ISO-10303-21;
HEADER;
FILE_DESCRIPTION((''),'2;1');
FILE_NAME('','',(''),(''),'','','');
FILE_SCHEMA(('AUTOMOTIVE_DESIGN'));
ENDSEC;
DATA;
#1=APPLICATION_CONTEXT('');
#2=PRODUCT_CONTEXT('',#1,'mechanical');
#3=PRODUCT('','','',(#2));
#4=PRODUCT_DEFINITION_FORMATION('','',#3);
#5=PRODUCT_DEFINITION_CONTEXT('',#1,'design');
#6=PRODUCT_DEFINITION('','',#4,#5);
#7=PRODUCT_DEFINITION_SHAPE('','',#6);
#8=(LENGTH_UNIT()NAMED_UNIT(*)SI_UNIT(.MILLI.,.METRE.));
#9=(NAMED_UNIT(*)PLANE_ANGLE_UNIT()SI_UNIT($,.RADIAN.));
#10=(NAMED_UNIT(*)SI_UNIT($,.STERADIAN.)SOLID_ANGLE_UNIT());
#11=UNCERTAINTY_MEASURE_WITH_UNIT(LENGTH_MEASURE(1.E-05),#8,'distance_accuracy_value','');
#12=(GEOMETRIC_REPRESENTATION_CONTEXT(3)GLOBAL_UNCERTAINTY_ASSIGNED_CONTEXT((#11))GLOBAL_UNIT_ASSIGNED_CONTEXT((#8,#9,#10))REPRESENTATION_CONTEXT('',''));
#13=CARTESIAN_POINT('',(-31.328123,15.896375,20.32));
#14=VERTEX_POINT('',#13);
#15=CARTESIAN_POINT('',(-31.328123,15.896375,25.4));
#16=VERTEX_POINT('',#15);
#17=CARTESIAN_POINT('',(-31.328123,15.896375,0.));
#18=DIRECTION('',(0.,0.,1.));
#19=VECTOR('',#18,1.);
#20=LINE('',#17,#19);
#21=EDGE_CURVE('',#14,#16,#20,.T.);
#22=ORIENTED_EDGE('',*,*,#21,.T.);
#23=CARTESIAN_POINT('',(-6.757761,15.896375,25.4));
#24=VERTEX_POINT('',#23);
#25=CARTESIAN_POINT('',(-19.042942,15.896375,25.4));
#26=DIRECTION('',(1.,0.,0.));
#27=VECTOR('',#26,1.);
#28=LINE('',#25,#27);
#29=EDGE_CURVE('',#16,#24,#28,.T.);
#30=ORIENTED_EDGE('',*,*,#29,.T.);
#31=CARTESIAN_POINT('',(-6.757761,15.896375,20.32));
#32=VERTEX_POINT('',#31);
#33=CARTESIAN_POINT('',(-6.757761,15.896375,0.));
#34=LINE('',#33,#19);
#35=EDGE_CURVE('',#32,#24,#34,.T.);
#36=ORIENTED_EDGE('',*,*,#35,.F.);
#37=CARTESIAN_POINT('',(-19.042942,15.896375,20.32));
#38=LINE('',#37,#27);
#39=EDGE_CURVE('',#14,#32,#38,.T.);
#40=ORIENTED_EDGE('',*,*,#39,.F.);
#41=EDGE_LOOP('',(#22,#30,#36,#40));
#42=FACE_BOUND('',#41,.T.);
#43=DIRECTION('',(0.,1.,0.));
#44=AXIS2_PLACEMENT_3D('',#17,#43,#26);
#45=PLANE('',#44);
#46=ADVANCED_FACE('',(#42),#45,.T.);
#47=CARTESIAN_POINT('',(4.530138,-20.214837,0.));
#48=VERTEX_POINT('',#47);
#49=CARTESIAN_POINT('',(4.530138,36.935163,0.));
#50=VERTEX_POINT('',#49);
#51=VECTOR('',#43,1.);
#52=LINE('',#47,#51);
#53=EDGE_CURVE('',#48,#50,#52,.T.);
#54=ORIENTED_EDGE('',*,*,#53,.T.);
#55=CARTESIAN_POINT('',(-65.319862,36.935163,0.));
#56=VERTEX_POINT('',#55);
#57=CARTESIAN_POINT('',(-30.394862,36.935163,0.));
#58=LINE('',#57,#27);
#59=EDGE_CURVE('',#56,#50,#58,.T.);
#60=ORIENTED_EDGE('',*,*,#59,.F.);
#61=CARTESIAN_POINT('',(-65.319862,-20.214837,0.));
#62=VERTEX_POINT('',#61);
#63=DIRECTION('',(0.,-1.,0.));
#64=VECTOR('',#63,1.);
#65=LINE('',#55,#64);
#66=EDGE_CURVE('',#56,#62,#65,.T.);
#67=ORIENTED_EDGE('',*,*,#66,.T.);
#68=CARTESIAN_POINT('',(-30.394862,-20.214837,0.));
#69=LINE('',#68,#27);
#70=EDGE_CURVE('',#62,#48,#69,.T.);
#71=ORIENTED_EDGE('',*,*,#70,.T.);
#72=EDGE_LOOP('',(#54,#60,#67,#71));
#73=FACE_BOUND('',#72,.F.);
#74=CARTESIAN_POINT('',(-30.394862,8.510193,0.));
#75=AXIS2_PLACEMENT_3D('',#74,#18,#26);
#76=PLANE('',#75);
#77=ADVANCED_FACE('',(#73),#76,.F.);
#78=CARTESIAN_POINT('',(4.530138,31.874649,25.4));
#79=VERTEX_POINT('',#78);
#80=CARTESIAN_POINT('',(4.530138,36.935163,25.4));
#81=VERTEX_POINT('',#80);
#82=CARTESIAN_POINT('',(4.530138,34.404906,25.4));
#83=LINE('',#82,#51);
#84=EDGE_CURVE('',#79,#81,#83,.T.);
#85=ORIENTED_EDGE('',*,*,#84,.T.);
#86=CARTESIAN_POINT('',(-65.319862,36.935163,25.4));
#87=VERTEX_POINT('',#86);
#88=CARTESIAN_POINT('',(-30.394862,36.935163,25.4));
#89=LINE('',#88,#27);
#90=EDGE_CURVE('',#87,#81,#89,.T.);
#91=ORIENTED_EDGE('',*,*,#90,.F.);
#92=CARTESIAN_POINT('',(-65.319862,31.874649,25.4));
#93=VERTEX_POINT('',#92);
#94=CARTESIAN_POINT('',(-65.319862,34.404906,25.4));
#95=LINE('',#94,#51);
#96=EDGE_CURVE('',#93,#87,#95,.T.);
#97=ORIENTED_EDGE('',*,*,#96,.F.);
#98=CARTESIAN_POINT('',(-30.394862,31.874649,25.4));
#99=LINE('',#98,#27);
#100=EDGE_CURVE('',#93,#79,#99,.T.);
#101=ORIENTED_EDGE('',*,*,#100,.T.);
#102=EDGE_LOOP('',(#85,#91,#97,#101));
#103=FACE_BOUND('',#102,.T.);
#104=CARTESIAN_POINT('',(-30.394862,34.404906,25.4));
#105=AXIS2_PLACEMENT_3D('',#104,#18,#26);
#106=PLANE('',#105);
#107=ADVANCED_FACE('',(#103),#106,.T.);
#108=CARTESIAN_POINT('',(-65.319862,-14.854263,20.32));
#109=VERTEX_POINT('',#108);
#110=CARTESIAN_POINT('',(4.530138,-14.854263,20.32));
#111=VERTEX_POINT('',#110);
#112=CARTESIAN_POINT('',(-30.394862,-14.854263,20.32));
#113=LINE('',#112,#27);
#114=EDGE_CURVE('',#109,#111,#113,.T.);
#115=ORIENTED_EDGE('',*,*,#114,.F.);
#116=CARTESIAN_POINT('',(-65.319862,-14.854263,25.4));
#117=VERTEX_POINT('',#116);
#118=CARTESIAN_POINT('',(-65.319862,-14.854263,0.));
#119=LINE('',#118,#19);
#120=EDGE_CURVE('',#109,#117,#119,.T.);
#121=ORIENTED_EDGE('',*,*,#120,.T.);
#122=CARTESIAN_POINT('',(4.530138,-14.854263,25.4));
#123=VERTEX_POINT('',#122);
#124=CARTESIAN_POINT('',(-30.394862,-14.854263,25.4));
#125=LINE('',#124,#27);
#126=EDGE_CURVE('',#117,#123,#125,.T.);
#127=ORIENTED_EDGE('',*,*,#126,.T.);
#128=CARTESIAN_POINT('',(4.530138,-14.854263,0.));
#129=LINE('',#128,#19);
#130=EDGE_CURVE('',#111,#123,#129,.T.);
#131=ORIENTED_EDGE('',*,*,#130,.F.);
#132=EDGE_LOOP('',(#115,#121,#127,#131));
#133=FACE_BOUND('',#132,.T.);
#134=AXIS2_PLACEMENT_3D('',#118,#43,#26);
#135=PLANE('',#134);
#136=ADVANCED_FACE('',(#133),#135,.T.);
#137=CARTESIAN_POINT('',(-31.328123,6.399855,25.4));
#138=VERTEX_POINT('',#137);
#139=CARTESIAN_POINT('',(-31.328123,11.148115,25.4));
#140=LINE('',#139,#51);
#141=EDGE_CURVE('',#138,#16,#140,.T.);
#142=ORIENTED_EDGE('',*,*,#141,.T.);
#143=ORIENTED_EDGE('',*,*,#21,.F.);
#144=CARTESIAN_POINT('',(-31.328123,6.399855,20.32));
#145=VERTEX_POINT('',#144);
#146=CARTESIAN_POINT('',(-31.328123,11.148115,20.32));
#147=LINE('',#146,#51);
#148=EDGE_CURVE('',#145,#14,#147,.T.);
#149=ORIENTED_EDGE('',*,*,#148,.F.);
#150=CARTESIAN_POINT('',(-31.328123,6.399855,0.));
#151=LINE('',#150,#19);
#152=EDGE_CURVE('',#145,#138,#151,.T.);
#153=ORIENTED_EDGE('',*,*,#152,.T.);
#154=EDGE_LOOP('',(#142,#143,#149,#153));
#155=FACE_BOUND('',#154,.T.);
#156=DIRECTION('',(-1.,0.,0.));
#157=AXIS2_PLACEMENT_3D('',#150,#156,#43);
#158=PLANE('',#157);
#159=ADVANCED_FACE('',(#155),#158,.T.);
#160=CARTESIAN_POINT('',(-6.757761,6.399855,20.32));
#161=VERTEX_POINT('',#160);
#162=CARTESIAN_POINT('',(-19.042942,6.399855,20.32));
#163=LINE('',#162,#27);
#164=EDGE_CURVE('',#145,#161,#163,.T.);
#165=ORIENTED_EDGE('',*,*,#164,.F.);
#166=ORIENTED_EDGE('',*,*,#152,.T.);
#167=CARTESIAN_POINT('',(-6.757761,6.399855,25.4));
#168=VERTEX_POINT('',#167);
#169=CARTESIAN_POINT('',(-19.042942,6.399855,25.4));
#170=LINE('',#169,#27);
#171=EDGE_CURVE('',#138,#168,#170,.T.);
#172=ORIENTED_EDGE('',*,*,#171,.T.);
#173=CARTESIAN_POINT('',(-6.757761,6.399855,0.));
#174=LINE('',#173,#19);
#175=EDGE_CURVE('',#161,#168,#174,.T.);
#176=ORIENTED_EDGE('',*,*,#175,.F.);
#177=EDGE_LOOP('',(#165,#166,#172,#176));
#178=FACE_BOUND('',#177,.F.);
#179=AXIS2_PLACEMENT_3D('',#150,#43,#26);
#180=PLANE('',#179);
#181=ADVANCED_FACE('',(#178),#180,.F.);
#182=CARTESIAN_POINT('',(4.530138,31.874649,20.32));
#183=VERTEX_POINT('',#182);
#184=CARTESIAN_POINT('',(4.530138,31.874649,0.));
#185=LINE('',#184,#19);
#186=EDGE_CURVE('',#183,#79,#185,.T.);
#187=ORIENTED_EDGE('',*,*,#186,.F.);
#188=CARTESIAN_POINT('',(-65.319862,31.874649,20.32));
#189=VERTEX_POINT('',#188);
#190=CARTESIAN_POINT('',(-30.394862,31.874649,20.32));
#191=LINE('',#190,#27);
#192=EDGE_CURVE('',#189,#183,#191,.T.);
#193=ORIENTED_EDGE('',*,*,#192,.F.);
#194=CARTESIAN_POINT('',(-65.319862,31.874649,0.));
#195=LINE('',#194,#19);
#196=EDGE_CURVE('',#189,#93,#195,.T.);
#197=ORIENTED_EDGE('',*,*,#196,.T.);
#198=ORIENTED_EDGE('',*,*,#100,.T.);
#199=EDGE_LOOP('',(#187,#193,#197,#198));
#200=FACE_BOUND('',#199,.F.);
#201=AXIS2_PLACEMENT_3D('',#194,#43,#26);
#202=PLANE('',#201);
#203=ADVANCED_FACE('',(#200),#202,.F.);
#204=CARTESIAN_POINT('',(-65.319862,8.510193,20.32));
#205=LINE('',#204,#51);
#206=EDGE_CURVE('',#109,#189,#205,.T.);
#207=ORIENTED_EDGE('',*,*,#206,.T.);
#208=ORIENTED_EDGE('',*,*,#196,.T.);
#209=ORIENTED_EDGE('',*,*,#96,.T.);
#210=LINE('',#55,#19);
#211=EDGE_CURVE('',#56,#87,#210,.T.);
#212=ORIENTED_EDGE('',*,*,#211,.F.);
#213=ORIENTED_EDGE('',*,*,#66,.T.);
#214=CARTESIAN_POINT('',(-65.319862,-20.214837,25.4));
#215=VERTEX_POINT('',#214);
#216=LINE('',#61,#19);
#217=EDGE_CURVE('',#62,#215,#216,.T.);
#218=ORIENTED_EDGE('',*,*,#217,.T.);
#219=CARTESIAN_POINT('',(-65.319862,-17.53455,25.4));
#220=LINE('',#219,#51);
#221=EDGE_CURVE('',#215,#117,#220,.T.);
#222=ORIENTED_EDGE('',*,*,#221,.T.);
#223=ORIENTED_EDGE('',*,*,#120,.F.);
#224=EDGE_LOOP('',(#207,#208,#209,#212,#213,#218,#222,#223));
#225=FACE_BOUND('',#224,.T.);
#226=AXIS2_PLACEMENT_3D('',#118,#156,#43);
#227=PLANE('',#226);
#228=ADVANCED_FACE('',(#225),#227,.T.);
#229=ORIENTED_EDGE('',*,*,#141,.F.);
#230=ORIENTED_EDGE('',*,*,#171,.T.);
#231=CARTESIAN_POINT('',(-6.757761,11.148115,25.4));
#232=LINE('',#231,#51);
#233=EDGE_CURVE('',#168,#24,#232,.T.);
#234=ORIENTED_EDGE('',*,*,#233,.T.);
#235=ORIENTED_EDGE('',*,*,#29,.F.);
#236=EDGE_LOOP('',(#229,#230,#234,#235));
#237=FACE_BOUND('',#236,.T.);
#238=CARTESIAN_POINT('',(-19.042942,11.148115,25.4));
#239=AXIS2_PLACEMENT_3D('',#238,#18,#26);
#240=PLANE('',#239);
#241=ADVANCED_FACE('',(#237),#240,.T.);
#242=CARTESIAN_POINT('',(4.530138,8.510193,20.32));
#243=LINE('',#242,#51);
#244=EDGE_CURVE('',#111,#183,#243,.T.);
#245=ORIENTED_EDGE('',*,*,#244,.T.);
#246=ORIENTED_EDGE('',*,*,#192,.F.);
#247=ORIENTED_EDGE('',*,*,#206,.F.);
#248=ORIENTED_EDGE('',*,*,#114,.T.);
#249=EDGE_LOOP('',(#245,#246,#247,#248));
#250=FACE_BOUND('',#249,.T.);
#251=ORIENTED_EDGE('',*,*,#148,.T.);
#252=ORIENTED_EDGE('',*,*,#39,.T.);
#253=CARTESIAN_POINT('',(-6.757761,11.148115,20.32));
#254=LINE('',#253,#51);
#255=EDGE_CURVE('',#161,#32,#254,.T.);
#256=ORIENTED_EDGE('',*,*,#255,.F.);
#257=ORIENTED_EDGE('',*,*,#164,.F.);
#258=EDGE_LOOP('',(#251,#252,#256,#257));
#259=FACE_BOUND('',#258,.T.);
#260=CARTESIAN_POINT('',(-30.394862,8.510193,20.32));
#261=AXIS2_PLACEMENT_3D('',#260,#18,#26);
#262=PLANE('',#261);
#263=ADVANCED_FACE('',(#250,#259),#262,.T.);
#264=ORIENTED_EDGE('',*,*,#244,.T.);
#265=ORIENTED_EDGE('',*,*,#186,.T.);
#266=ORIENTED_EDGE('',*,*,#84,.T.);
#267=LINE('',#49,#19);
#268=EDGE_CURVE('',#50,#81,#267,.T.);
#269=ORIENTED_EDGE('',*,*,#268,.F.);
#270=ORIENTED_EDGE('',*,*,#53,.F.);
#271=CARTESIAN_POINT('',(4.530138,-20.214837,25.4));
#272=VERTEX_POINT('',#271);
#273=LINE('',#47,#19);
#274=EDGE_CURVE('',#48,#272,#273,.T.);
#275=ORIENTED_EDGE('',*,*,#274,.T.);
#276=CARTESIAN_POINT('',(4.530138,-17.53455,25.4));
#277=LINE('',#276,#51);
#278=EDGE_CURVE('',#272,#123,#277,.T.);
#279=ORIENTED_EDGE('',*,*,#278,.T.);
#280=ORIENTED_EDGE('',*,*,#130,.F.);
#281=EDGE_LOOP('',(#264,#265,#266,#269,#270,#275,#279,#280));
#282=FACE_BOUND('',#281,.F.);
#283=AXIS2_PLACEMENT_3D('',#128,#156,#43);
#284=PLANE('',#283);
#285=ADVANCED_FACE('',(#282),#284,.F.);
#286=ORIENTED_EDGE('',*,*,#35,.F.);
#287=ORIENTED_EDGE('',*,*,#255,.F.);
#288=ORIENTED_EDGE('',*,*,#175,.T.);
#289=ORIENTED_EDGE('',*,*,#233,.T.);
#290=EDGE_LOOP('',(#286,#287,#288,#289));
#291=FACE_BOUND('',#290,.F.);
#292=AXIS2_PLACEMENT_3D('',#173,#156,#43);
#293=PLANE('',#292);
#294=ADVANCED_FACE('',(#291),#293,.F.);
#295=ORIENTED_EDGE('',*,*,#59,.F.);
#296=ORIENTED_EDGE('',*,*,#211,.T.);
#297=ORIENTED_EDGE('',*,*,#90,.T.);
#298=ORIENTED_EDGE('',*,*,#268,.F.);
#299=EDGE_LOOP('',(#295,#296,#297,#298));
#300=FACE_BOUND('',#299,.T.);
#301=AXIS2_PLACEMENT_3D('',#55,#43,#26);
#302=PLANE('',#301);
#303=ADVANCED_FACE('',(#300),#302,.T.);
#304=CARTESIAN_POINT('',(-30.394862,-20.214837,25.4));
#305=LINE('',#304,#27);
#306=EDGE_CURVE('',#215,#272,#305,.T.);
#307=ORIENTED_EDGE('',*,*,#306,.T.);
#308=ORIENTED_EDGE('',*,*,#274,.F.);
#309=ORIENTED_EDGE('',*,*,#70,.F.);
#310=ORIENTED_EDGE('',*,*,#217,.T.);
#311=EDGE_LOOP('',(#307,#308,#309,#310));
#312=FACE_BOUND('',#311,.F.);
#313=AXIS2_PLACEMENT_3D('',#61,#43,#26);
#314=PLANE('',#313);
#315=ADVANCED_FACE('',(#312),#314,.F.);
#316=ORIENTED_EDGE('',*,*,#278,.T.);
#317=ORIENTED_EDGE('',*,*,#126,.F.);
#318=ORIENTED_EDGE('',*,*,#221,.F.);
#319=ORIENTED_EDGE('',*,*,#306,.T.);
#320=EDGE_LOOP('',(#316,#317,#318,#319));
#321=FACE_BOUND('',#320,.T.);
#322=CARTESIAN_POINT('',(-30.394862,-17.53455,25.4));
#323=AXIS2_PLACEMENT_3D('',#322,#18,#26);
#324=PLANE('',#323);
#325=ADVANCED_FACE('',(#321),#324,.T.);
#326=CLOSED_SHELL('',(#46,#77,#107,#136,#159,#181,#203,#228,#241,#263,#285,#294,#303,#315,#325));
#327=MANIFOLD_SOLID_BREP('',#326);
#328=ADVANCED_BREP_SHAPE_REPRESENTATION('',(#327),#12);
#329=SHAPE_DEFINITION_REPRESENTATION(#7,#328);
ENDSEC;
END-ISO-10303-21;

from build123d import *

# Parameters (mm, degrees)
F0_W     = 69.85
F0_H     = 46.728912
F0_R     = 3.018536
F0_W_2   = 24.570362
F0_H_2   = 9.496521
F1_DEPTH = 20.32
F0_H_3   = 5.360574
F0_H_4   = 5.060514
F2_DEPTH = 25.4


with BuildPart() as f1:
    # F0 (on Top) → F1 (new body)
    with BuildSketch(Plane.XY):
        with Locations((-30.394862, 8.510193)):
            Rectangle(F0_W, F0_H)
        with Locations((-56.652177, -5.056264)):
            Circle(F0_R, mode=Mode.SUBTRACT)
        with BuildLine():
            ThreePointArc((-47.310162, -5.056264), (-50.471902, -8.218004), (-53.633642, -5.056264))
            ThreePointArc((-53.633642, -5.056264), (-50.471902, -1.894525), (-47.310162, -5.056264))
        make_face(mode=Mode.SUBTRACT)
        with Locations((-19.042942, 11.148115)):
            Rectangle(F0_W_2, F0_H_2, mode=Mode.SUBTRACT)
        with Locations((-56.652177, -5.056264)):
            Circle(F0_R)
        with BuildLine():
            ThreePointArc((-47.310162, -5.056264), (-50.471902, -1.894525), (-53.633642, -5.056264))
            ThreePointArc((-53.633642, -5.056264), (-50.471902, -8.218004), (-47.310162, -5.056264))
        make_face()
    extrude(amount=F1_DEPTH)

    # F0 (on Top) → F2 (join)
    with BuildSketch(Plane.XY):
        with Locations((-19.042942, 11.148115)):
            Rectangle(F0_W_2, F0_H_2)
        with Locations((-30.394862, -17.53455)):
            Rectangle(F0_W, F0_H_3)
        with Locations((-30.394862, 34.404906)):
            Rectangle(F0_W, F0_H_4)
    extrude(amount=F2_DEPTH)


solid = f1.part
